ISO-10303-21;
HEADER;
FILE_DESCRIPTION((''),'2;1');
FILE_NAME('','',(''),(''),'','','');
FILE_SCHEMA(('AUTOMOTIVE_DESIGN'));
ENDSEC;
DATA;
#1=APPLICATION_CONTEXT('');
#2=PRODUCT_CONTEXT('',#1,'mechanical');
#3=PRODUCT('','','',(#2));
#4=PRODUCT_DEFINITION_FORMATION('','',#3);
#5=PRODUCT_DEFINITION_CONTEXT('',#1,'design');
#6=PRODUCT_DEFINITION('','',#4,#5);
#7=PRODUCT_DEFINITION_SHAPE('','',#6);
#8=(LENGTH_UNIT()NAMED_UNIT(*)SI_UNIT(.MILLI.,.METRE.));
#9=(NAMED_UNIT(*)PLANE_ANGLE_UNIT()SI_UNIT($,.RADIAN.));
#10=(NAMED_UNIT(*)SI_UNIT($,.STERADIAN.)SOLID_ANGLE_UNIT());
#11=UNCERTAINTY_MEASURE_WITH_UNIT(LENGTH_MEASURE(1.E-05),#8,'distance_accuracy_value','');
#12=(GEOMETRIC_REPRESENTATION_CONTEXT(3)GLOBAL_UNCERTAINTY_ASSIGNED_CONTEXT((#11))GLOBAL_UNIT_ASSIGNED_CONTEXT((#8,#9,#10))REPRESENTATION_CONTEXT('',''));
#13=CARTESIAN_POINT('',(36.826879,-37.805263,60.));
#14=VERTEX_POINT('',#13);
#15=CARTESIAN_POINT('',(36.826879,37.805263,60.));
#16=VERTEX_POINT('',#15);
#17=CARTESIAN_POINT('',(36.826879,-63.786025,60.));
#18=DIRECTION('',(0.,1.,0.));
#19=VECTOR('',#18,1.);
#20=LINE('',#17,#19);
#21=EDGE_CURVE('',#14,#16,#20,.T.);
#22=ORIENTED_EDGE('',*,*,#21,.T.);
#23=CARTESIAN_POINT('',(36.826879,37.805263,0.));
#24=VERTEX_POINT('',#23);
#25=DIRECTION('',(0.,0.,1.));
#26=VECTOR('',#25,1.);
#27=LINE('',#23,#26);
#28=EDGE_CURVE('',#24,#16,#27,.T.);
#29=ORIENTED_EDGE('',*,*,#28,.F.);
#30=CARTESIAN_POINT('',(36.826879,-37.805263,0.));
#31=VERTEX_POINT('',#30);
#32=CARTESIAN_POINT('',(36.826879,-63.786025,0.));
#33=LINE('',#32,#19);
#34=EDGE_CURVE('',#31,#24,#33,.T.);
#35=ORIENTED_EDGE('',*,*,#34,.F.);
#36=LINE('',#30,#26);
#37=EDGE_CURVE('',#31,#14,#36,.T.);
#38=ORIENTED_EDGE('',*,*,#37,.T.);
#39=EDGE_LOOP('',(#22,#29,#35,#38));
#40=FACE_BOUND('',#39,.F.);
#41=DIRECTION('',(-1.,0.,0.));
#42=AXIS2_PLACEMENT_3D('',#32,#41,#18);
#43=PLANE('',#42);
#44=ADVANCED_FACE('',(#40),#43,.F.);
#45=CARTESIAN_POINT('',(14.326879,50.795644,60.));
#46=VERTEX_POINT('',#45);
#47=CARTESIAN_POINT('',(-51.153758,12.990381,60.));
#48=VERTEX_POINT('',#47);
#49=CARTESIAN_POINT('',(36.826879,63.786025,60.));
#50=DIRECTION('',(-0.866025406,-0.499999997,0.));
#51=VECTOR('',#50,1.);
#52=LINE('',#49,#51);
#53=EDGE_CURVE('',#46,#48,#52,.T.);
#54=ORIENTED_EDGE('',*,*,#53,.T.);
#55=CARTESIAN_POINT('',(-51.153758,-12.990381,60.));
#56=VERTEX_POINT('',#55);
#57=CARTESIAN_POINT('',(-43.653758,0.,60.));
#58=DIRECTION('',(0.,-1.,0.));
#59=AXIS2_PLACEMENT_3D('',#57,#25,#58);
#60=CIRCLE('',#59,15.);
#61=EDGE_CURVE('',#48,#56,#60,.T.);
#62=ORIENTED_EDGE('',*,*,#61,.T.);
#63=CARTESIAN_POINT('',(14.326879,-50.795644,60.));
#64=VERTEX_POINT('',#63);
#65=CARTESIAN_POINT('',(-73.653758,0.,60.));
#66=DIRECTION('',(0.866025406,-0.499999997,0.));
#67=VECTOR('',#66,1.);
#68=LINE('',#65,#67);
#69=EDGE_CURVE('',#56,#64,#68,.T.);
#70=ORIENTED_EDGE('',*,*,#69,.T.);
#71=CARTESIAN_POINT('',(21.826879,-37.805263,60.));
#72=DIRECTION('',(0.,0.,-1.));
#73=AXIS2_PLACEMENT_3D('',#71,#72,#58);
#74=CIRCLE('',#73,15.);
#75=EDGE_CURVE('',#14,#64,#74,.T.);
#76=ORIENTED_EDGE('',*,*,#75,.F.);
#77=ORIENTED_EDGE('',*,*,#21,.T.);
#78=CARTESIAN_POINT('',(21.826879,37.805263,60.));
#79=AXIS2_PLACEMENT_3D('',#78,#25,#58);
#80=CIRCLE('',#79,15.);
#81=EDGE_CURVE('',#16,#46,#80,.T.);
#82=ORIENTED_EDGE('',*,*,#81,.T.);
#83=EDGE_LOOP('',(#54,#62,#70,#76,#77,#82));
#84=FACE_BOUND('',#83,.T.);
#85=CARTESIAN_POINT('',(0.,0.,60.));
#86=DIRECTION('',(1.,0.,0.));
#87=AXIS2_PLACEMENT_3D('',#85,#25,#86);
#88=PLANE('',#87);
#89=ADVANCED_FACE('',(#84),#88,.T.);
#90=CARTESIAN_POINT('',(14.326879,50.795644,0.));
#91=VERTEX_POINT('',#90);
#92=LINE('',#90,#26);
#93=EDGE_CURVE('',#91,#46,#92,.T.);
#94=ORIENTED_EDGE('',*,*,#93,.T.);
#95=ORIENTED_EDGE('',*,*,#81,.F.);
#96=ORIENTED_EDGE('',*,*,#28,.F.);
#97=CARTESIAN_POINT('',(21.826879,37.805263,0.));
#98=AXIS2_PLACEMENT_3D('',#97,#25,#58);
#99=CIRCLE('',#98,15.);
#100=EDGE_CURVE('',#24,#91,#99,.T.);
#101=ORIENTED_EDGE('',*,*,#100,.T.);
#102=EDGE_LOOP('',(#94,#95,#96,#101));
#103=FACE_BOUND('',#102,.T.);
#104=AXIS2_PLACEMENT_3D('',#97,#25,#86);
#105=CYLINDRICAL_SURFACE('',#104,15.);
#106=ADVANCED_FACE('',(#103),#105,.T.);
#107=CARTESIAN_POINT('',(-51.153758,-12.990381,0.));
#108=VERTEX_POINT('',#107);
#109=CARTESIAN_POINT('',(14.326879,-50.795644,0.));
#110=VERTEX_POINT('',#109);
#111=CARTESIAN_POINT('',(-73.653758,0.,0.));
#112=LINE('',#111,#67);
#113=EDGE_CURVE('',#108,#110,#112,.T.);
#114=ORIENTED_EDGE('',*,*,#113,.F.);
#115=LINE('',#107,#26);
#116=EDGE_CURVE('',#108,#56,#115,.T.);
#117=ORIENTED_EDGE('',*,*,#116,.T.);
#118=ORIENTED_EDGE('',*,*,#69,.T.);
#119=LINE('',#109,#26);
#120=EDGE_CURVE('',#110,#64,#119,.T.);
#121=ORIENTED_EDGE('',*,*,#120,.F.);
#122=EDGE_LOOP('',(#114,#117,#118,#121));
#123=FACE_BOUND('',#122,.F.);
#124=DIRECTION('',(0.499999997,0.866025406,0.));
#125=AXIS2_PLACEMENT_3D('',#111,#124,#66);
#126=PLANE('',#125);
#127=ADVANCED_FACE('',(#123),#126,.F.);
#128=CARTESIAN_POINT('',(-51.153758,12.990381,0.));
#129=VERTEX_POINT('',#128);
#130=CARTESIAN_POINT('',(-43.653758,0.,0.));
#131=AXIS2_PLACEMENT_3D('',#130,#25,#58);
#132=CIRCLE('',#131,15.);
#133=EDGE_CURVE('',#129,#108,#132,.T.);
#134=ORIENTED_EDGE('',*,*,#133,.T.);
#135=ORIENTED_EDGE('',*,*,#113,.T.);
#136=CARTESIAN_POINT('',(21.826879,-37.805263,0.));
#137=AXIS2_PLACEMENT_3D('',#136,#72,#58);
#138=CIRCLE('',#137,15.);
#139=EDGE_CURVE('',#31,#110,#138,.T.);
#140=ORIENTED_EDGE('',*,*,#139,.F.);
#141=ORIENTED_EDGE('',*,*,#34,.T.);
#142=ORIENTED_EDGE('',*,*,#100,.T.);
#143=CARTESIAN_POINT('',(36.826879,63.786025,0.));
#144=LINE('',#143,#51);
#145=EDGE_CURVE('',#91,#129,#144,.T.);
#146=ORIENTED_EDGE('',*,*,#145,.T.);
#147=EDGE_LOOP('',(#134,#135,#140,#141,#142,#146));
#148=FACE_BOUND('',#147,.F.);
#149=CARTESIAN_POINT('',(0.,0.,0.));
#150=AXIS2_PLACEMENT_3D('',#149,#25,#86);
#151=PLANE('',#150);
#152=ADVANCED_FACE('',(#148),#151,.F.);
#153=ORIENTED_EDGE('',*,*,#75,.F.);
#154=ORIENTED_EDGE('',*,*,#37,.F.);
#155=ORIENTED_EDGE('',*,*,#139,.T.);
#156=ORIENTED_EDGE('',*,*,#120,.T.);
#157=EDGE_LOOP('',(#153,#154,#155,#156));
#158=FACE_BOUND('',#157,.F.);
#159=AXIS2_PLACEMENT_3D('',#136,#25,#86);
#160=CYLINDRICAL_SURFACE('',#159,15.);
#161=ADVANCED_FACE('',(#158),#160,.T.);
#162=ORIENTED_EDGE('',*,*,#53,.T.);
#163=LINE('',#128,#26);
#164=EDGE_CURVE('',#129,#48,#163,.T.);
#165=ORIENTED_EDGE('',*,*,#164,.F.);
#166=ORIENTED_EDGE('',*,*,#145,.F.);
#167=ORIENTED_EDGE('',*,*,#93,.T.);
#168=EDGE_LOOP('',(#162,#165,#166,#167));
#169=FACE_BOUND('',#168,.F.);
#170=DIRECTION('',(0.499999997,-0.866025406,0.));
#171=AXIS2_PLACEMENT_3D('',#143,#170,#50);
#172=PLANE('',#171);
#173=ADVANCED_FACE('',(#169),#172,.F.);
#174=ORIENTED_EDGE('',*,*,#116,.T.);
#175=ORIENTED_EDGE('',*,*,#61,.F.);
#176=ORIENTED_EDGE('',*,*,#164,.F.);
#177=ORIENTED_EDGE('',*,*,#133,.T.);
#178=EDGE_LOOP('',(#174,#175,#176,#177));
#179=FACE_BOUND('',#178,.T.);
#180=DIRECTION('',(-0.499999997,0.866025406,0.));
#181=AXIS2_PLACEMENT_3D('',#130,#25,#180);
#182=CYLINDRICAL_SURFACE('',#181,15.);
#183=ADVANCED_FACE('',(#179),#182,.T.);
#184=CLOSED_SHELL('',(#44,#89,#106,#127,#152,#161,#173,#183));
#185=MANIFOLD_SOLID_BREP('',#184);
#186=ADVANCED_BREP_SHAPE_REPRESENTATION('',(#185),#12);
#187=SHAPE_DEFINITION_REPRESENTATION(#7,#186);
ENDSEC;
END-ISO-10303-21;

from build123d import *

# Parameters (mm, degrees)
F1_DEPTH = 60
F2_R     = 15


with BuildPart() as f1:
    # F0 (on Top) → F1 (new body)
    with BuildSketch(Plane.XY):
        Polygon((36.826879, -63.786025), (36.826879, 63.786025), (-73.653758, 0), align=None)
    extrude(amount=F1_DEPTH)

    # F2
    f2_edges = [f1.edges().sort_by_distance(p)[0] for p in [
        (36.826879, 63.786025, 30),
        (36.826879, -63.786025, 30),
        (-73.653758, 0, 30),
    ]]
    fillet(f2_edges, radius=F2_R)


solid = f1.part
